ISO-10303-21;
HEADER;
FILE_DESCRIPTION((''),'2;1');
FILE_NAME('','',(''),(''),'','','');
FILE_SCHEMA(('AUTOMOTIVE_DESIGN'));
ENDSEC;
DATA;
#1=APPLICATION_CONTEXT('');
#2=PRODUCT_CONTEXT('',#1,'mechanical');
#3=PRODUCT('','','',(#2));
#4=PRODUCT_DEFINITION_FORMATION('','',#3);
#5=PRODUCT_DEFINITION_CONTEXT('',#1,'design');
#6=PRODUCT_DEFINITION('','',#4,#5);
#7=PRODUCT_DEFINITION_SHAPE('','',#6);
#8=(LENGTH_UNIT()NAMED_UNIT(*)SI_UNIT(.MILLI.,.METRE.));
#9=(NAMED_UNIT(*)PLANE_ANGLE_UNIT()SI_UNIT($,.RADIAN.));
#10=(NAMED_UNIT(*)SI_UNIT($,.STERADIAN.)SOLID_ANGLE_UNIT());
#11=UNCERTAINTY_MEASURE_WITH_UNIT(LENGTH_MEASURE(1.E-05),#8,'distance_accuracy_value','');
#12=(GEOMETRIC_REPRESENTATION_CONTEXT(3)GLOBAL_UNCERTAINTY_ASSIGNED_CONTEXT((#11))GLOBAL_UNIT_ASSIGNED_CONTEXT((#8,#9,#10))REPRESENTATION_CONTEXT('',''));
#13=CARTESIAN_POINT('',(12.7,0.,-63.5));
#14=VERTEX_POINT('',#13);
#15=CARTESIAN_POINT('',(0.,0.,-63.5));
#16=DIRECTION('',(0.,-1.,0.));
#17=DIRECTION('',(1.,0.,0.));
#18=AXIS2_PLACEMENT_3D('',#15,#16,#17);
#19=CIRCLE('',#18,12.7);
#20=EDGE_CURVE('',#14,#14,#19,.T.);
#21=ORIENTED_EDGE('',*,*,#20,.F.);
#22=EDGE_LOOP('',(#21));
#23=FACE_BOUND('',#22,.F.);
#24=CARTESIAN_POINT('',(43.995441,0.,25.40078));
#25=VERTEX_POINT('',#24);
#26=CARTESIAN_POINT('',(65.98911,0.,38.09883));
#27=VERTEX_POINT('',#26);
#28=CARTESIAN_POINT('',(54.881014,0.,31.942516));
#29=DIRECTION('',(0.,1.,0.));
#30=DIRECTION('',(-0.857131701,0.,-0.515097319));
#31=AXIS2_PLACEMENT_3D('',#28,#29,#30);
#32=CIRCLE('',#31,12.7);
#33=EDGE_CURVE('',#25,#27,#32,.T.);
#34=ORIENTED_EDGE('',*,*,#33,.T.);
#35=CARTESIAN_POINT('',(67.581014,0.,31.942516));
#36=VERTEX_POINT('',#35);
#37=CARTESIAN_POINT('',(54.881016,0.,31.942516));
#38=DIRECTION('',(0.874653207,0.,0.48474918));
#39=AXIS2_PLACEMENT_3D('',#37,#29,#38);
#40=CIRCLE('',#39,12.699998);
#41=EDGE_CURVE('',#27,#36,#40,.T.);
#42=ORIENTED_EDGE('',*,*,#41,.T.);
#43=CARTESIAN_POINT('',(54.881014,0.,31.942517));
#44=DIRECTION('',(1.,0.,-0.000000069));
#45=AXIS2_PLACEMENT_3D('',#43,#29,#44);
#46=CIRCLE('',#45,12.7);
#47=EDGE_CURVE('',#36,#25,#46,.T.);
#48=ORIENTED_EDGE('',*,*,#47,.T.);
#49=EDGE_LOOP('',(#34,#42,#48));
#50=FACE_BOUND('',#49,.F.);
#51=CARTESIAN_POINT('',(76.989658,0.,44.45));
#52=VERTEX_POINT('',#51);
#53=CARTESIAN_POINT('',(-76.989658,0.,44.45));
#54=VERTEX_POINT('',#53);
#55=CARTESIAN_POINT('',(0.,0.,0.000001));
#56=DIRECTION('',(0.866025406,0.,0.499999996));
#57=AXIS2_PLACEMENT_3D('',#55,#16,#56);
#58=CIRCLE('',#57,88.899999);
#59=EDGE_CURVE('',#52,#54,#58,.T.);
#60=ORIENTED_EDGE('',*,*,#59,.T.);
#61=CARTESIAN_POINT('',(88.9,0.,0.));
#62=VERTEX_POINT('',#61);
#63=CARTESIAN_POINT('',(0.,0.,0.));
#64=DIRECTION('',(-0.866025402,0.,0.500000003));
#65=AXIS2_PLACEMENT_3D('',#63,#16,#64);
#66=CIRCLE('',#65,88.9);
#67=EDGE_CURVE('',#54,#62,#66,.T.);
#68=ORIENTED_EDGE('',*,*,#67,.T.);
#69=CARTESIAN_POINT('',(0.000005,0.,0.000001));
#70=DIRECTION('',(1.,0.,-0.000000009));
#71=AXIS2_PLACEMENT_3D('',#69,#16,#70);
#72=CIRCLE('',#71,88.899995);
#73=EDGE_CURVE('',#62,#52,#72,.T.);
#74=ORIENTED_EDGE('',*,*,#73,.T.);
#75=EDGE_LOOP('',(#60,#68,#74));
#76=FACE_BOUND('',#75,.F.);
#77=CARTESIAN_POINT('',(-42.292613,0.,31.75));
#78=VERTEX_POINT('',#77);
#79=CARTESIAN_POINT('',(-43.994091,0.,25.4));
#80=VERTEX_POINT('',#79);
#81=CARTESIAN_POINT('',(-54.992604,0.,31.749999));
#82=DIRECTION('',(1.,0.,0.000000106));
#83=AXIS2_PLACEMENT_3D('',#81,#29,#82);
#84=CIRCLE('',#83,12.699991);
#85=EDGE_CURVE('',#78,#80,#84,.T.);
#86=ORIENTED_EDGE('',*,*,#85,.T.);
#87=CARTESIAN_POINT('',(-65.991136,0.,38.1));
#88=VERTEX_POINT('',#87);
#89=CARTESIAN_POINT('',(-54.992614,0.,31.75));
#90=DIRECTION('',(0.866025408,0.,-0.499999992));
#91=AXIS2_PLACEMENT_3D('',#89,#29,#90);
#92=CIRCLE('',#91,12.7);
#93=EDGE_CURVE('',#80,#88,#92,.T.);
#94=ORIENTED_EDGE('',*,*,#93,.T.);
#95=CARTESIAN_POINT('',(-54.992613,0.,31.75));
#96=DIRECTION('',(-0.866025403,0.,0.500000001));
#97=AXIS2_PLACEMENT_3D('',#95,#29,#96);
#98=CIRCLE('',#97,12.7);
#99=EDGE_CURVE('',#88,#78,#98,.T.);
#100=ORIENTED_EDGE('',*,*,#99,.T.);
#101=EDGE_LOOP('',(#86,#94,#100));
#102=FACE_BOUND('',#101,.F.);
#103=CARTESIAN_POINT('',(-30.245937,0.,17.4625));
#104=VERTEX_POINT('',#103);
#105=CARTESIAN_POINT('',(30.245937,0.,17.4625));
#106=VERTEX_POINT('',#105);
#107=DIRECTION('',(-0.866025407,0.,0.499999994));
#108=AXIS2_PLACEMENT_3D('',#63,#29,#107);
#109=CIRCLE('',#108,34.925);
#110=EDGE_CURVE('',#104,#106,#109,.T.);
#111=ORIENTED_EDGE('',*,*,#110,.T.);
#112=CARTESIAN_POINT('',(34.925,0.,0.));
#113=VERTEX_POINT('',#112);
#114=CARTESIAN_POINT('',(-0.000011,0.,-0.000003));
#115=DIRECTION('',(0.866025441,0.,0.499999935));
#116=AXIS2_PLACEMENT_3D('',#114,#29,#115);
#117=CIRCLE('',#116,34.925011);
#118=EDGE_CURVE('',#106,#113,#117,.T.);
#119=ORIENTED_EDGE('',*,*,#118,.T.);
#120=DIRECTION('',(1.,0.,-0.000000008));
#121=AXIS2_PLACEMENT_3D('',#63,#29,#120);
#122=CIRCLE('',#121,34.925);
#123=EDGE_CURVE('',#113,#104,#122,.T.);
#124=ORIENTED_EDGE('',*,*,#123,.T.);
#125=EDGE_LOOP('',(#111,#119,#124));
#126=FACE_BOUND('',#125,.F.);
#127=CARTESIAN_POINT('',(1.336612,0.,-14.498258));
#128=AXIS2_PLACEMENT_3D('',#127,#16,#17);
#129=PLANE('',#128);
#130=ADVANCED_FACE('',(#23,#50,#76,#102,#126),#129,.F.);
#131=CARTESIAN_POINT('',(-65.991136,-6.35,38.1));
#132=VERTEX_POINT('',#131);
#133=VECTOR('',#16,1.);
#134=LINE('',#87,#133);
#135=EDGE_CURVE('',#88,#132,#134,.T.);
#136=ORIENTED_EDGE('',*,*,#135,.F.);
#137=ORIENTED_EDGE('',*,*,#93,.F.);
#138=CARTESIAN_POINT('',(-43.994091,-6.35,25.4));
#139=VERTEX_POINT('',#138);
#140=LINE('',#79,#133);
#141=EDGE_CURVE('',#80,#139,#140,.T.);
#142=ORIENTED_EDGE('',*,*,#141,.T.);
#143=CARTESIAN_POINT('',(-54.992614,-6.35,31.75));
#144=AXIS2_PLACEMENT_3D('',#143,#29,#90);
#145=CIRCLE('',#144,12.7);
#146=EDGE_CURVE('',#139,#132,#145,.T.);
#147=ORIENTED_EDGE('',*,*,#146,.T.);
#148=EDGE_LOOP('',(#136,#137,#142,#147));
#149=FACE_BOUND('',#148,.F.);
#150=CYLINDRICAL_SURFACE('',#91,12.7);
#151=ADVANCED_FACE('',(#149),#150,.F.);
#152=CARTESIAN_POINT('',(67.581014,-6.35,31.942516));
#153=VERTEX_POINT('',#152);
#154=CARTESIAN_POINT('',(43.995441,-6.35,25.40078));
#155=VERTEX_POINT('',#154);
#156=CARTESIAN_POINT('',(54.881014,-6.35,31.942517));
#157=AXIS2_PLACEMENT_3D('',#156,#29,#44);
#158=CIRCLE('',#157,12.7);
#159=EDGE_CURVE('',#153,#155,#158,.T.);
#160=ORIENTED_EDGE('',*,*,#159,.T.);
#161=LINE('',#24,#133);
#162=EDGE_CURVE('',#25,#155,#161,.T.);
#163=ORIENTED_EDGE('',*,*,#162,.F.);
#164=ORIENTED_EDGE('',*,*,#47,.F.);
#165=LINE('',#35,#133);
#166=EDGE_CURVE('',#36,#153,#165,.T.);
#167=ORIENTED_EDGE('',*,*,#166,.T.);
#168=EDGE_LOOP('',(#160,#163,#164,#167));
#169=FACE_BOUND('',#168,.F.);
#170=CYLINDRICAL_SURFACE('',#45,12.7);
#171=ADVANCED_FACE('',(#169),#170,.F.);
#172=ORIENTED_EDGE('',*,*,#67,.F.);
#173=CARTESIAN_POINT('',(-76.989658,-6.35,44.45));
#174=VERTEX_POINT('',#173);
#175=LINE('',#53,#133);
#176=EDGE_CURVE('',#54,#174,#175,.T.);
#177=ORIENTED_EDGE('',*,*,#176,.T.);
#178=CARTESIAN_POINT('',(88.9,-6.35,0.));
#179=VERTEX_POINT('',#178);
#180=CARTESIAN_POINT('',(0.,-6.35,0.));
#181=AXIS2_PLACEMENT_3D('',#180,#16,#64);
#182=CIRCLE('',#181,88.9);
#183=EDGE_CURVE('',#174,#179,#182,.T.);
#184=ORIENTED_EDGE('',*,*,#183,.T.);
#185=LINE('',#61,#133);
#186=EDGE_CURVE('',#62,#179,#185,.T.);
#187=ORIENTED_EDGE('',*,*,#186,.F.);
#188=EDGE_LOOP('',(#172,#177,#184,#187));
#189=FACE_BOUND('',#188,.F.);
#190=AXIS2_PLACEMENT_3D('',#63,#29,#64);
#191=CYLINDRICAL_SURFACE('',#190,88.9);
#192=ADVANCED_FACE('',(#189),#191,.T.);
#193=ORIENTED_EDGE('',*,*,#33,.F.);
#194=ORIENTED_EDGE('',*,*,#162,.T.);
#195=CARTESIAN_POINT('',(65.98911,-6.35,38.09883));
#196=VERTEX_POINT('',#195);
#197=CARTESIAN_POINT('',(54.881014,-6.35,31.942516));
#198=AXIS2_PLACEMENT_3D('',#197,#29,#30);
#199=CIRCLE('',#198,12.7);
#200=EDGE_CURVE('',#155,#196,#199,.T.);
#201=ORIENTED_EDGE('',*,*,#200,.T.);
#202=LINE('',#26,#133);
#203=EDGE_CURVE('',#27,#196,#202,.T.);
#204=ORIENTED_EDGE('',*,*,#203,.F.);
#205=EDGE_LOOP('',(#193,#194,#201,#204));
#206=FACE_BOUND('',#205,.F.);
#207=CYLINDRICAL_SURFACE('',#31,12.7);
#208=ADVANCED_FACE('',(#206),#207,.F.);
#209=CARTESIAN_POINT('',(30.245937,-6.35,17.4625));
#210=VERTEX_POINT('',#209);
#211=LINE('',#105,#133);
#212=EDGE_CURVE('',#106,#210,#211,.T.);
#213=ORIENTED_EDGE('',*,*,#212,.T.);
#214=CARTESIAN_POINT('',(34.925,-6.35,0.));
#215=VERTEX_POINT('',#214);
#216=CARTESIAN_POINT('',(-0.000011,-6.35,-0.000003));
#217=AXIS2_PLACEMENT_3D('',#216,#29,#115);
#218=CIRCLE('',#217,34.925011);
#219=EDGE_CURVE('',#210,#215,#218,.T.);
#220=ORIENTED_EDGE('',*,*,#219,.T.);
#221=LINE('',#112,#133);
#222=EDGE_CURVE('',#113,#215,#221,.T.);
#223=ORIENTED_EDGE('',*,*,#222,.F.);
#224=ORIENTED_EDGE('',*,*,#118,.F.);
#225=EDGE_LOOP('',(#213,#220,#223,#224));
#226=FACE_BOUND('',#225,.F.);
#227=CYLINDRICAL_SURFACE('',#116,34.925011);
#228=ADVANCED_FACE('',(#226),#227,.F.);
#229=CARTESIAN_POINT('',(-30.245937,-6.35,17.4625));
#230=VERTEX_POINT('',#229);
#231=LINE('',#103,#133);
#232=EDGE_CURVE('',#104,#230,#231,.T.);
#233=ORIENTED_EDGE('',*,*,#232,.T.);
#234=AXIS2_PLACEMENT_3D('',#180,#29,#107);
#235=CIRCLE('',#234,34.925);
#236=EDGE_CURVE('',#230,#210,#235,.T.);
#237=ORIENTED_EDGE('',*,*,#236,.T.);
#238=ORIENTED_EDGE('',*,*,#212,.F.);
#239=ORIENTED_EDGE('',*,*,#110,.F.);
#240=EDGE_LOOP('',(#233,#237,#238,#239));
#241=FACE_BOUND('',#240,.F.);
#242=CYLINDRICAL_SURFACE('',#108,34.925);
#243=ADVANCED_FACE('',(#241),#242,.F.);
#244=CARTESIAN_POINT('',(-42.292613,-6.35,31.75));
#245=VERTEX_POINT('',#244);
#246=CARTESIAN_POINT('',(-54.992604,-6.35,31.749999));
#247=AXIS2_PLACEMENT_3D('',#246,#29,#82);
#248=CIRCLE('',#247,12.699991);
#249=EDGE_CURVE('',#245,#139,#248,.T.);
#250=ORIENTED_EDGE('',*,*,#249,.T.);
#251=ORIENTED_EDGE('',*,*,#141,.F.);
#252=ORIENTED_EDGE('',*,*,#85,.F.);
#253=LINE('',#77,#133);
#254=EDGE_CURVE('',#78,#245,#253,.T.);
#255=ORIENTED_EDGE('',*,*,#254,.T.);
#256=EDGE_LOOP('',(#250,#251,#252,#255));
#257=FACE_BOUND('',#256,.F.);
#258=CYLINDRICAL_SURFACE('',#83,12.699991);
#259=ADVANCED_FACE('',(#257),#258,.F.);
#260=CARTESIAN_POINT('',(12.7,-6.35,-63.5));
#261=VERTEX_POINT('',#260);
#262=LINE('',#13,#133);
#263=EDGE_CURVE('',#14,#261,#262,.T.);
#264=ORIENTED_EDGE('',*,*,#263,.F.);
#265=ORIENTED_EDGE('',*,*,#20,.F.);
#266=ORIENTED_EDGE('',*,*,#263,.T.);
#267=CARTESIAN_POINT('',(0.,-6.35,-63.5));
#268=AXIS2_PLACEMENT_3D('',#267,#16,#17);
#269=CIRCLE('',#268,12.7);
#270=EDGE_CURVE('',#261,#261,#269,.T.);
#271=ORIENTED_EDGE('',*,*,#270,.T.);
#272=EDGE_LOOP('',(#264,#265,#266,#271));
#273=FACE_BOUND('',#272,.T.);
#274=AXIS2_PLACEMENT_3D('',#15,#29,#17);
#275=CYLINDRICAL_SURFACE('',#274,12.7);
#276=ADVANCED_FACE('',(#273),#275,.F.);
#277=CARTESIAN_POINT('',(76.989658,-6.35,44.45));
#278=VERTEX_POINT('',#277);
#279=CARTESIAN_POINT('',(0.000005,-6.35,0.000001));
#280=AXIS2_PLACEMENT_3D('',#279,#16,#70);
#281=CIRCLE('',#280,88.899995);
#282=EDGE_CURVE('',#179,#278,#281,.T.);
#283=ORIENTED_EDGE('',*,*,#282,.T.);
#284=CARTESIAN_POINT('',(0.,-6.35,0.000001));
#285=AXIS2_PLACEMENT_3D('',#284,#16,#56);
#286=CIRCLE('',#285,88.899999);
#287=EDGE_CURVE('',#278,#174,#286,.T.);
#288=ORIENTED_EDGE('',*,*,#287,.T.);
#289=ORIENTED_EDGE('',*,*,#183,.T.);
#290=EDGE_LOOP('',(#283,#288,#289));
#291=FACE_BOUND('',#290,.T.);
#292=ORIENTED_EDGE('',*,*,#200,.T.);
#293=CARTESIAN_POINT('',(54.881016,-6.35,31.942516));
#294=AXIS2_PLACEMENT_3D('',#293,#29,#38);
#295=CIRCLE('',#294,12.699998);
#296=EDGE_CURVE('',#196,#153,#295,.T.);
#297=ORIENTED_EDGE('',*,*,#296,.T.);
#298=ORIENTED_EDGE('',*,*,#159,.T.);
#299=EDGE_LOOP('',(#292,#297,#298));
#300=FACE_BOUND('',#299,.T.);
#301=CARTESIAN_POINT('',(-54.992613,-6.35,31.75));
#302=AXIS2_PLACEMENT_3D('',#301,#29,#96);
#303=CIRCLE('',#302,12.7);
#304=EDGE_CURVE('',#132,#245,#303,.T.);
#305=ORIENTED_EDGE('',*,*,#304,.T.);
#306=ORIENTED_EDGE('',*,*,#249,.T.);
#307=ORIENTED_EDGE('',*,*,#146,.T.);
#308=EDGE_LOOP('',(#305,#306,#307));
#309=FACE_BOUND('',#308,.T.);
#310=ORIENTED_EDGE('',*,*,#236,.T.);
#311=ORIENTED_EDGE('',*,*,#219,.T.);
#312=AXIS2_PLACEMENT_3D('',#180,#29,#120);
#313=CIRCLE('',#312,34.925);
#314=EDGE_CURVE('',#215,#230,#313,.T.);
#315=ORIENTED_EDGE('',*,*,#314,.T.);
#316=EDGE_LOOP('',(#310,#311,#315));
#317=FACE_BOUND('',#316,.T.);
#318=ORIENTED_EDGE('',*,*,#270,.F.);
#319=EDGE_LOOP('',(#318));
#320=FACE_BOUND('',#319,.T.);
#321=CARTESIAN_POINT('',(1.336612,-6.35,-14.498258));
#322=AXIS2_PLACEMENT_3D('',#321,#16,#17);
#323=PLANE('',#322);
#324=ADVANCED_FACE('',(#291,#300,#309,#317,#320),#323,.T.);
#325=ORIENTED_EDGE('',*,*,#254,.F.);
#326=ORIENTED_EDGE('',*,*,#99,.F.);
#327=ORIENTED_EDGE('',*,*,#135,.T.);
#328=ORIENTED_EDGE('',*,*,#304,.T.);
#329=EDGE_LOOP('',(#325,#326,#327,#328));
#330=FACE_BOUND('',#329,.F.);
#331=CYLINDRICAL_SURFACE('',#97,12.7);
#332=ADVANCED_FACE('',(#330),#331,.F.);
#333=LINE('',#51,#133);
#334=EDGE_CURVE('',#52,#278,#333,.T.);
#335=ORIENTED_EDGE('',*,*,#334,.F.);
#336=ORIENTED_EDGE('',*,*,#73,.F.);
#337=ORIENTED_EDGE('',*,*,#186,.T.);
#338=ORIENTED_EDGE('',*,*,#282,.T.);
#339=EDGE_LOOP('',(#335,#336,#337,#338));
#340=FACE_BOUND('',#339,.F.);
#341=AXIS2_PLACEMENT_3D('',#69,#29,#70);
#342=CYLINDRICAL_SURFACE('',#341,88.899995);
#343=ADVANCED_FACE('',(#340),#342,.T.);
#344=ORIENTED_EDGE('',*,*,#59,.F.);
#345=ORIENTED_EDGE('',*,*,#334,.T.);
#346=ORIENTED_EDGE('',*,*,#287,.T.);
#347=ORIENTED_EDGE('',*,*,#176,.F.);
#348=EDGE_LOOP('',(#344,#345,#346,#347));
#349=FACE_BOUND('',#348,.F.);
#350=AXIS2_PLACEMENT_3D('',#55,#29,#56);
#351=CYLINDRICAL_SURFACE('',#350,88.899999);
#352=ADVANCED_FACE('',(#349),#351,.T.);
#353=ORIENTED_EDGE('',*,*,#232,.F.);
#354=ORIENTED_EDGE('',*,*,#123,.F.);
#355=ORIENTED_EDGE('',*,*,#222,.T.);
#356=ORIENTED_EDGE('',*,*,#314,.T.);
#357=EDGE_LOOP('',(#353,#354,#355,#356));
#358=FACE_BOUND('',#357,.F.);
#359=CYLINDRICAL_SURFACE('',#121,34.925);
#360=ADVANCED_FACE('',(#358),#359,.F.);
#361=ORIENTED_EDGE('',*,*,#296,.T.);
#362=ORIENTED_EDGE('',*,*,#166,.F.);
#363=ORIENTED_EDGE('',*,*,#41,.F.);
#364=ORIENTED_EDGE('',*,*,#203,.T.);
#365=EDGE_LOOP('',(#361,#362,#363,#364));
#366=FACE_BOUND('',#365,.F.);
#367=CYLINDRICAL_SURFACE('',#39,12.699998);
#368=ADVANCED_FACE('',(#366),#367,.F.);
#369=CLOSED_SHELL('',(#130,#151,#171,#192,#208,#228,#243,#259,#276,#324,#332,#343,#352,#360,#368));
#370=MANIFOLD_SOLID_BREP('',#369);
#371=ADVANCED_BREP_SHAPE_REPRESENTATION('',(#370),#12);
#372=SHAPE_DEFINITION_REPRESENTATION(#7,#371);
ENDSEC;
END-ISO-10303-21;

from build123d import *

# Parameters (mm, degrees)
F0_R     = 12.7
F1_DEPTH = 6.35


with BuildPart() as f1:
    # F0 (on Front) → F1 (new body)
    with BuildSketch(Plane.XZ):
        with BuildLine():
            Line((43.995441, 25.40078), (30.245937, 17.4625))
            ThreePointArc((30.245937, 17.4625), (33.734959, 9.039255), (34.925, 0))
            ThreePointArc((34.925, 0), (-9.039255, -33.734959), (-30.245937, 17.4625))
            Line((-30.245937, 17.4625), (-43.994091, 25.4))
            ThreePointArc((-43.994091, 25.4), (-61.342613, 20.751477), (-65.991136, 38.1))
            Line((-65.991136, 38.1), (-76.989658, 44.45))
            ThreePointArc((-76.989658, 44.45), (-23.009013, -85.870806), (88.9, 0))
            ThreePointArc((88.9, 0), (85.870806, 23.009013), (76.989658, 44.45))
            Line((76.989658, 44.45), (65.98911, 38.09883))
            ThreePointArc((65.98911, 38.09883), (67.176599, 35.121917), (67.581014, 31.942516))
            ThreePointArc((67.581014, 31.942516), (58.275364, 19.704527), (43.995441, 25.40078))
        make_face()
        with Locations((0, -63.5)):
            Circle(F0_R, mode=Mode.SUBTRACT)
        with BuildLine():
            ThreePointArc((-30.245937, 17.4625), (0, 34.925), (30.245937, 17.4625))
            Line((30.245937, 17.4625), (43.995441, 25.40078))
            ThreePointArc((43.995441, 25.40078), (48.531014, 42.941039), (65.98911, 38.09883))
            Line((65.98911, 38.09883), (76.989658, 44.45))
            ThreePointArc((76.989658, 44.45), (0, 88.9), (-76.989658, 44.45))
            Line((-76.989658, 44.45), (-65.991136, 38.1))
            ThreePointArc((-65.991136, 38.1), (-51.705611, 44.017258), (-42.292613, 31.75))
            ThreePointArc((-42.292613, 31.75), (-42.725355, 28.462998), (-43.994091, 25.4))
            Line((-43.994091, 25.4), (-30.245937, 17.4625))
        make_face()
    extrude(amount=F1_DEPTH)


solid = f1.part
